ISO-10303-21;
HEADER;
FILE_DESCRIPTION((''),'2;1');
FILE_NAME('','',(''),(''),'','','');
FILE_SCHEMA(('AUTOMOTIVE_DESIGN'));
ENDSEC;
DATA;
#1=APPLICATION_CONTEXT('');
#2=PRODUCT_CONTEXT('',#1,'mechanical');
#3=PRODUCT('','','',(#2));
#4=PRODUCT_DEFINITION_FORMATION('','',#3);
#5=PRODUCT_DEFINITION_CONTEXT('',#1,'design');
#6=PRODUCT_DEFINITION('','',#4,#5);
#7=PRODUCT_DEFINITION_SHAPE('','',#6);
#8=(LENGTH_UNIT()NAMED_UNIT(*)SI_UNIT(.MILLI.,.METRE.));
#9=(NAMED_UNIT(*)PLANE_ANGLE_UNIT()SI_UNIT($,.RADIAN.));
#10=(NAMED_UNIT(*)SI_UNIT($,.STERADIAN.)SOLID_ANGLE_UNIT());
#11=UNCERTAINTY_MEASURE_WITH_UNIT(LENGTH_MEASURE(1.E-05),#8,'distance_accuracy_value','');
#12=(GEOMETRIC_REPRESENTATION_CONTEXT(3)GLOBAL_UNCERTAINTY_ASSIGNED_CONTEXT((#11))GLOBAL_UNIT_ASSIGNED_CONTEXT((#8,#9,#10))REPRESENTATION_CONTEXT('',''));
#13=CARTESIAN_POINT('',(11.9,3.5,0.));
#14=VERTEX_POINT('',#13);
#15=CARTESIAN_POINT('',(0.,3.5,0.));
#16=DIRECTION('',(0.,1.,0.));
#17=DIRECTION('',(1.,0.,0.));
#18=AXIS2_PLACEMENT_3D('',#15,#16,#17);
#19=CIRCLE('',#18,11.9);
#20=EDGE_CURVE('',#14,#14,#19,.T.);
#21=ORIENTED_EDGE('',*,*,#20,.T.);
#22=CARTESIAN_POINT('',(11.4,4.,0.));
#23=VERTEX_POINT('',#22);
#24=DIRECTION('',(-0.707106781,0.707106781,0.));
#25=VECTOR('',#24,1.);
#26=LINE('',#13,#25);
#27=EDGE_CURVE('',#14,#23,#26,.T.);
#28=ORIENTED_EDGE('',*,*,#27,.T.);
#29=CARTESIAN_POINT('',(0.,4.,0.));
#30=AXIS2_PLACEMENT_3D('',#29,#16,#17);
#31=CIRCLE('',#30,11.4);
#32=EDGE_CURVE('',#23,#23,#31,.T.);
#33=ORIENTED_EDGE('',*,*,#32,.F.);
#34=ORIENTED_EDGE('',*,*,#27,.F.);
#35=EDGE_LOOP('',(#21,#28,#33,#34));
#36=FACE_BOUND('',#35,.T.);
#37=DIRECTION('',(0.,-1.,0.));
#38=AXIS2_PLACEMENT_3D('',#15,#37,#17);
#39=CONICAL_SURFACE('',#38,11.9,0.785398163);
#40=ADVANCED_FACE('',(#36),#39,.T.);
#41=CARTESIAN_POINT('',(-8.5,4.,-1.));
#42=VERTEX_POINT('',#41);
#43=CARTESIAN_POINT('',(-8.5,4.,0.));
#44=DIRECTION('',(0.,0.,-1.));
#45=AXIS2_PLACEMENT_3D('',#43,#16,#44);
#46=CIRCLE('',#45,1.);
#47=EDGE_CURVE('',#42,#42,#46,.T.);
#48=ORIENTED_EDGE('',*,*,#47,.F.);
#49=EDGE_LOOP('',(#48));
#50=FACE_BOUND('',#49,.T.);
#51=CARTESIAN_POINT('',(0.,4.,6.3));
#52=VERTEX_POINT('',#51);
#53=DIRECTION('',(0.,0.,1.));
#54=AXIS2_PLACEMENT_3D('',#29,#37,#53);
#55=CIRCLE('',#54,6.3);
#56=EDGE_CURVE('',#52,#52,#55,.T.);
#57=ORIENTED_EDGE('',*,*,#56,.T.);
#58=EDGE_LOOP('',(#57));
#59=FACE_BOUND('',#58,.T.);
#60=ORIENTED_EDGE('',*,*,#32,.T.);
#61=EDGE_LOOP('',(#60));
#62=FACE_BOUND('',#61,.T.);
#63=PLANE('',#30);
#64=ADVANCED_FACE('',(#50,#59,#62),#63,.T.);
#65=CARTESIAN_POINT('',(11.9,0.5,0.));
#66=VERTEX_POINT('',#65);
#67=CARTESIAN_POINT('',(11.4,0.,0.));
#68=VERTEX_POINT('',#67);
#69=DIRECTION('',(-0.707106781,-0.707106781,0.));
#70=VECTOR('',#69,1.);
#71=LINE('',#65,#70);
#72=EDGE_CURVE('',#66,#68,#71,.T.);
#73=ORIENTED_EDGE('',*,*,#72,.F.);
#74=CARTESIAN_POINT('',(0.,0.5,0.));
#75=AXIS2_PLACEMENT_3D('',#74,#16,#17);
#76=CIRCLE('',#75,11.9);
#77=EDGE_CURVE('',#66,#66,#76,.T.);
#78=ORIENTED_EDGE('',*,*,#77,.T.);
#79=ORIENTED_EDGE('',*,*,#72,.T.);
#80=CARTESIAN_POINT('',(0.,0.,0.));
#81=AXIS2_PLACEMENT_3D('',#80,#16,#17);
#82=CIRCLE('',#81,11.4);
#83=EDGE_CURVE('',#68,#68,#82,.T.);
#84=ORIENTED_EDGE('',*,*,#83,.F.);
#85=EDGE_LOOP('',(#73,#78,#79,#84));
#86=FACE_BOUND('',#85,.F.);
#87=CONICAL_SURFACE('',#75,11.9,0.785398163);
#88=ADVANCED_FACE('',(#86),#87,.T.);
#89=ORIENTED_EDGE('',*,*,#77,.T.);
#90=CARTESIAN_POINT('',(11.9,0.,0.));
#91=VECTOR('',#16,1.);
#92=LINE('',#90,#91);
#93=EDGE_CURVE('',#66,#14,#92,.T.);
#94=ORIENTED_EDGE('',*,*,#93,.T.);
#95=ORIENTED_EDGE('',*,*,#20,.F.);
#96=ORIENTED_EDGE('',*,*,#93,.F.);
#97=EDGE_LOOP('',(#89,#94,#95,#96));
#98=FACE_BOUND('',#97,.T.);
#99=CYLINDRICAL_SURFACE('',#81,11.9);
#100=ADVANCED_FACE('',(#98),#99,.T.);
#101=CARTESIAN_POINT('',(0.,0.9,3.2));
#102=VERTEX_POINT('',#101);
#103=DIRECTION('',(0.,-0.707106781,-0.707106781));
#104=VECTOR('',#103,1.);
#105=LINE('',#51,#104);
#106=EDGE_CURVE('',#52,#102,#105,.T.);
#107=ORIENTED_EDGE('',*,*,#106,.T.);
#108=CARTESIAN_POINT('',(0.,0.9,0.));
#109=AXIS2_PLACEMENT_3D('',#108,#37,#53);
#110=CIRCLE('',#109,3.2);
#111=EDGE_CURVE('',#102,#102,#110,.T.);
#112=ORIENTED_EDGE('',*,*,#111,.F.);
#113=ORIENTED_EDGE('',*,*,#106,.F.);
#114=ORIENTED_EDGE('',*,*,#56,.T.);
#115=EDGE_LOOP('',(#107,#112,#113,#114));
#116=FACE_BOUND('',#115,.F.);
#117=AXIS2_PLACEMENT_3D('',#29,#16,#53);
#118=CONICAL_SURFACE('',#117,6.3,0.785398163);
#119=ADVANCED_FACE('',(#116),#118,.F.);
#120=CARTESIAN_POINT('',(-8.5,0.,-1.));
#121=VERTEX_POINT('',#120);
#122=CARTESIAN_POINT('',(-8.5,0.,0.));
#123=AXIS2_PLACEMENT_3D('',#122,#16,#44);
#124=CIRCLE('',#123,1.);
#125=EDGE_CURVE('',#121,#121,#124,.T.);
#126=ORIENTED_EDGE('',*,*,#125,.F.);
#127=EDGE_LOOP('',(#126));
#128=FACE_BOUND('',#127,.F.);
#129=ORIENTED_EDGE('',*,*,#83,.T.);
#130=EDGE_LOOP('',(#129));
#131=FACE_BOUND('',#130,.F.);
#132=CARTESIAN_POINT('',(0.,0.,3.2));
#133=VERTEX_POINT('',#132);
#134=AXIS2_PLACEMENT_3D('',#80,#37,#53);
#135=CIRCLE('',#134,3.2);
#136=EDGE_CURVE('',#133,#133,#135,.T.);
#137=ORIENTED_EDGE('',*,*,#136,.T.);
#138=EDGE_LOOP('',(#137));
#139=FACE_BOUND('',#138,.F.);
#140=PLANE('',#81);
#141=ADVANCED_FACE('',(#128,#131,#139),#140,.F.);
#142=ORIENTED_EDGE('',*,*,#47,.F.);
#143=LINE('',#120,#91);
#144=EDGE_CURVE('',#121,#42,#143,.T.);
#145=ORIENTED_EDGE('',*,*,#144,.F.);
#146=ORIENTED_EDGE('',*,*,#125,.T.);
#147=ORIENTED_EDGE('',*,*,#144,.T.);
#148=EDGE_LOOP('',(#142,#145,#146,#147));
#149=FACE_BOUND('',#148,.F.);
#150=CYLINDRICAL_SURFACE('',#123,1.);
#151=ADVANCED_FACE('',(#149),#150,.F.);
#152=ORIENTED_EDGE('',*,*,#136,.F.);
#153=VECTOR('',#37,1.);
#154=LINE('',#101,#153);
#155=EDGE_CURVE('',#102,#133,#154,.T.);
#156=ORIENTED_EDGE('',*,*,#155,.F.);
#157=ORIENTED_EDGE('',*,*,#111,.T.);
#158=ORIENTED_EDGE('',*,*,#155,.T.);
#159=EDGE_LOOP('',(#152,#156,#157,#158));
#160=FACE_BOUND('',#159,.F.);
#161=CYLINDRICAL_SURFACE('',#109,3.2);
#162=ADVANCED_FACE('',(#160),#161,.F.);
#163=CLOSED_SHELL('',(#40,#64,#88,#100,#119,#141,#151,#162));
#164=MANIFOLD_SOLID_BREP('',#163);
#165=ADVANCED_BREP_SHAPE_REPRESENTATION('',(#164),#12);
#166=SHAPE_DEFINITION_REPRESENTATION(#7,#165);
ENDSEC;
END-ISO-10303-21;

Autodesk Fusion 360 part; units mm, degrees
cylinder "CylinderPrimitive1" add diameter 23.8 height 4 placed x (1, 0, 0) y (0, 0, -1) z (0, 1, 0) at (0, 0, 0)
hole "Hole1" at (0, 4, 0) direction (0, -1, 0) diameter 6.4 end through all countersink diameter 12.6 countersink angle 90
chamfer "Chamfer1" distance 0.5 angle 45 2 edges at (-11.0947, 4, 4.3032) (-11.0947, 0, -4.3032)
sketch "Sketch4" plane through (0, 0, 0) normal (0, 1, 0) x (1, 0, 0)
  circle A0 centre (0, 0) radius 8.5 construction
  point P0 (-8.5, 0)
  dimension "d9" = 17
hole "Hole2" at (-8.5, 0, 0) direction (0, 1, 0) diameter 2 end through all
